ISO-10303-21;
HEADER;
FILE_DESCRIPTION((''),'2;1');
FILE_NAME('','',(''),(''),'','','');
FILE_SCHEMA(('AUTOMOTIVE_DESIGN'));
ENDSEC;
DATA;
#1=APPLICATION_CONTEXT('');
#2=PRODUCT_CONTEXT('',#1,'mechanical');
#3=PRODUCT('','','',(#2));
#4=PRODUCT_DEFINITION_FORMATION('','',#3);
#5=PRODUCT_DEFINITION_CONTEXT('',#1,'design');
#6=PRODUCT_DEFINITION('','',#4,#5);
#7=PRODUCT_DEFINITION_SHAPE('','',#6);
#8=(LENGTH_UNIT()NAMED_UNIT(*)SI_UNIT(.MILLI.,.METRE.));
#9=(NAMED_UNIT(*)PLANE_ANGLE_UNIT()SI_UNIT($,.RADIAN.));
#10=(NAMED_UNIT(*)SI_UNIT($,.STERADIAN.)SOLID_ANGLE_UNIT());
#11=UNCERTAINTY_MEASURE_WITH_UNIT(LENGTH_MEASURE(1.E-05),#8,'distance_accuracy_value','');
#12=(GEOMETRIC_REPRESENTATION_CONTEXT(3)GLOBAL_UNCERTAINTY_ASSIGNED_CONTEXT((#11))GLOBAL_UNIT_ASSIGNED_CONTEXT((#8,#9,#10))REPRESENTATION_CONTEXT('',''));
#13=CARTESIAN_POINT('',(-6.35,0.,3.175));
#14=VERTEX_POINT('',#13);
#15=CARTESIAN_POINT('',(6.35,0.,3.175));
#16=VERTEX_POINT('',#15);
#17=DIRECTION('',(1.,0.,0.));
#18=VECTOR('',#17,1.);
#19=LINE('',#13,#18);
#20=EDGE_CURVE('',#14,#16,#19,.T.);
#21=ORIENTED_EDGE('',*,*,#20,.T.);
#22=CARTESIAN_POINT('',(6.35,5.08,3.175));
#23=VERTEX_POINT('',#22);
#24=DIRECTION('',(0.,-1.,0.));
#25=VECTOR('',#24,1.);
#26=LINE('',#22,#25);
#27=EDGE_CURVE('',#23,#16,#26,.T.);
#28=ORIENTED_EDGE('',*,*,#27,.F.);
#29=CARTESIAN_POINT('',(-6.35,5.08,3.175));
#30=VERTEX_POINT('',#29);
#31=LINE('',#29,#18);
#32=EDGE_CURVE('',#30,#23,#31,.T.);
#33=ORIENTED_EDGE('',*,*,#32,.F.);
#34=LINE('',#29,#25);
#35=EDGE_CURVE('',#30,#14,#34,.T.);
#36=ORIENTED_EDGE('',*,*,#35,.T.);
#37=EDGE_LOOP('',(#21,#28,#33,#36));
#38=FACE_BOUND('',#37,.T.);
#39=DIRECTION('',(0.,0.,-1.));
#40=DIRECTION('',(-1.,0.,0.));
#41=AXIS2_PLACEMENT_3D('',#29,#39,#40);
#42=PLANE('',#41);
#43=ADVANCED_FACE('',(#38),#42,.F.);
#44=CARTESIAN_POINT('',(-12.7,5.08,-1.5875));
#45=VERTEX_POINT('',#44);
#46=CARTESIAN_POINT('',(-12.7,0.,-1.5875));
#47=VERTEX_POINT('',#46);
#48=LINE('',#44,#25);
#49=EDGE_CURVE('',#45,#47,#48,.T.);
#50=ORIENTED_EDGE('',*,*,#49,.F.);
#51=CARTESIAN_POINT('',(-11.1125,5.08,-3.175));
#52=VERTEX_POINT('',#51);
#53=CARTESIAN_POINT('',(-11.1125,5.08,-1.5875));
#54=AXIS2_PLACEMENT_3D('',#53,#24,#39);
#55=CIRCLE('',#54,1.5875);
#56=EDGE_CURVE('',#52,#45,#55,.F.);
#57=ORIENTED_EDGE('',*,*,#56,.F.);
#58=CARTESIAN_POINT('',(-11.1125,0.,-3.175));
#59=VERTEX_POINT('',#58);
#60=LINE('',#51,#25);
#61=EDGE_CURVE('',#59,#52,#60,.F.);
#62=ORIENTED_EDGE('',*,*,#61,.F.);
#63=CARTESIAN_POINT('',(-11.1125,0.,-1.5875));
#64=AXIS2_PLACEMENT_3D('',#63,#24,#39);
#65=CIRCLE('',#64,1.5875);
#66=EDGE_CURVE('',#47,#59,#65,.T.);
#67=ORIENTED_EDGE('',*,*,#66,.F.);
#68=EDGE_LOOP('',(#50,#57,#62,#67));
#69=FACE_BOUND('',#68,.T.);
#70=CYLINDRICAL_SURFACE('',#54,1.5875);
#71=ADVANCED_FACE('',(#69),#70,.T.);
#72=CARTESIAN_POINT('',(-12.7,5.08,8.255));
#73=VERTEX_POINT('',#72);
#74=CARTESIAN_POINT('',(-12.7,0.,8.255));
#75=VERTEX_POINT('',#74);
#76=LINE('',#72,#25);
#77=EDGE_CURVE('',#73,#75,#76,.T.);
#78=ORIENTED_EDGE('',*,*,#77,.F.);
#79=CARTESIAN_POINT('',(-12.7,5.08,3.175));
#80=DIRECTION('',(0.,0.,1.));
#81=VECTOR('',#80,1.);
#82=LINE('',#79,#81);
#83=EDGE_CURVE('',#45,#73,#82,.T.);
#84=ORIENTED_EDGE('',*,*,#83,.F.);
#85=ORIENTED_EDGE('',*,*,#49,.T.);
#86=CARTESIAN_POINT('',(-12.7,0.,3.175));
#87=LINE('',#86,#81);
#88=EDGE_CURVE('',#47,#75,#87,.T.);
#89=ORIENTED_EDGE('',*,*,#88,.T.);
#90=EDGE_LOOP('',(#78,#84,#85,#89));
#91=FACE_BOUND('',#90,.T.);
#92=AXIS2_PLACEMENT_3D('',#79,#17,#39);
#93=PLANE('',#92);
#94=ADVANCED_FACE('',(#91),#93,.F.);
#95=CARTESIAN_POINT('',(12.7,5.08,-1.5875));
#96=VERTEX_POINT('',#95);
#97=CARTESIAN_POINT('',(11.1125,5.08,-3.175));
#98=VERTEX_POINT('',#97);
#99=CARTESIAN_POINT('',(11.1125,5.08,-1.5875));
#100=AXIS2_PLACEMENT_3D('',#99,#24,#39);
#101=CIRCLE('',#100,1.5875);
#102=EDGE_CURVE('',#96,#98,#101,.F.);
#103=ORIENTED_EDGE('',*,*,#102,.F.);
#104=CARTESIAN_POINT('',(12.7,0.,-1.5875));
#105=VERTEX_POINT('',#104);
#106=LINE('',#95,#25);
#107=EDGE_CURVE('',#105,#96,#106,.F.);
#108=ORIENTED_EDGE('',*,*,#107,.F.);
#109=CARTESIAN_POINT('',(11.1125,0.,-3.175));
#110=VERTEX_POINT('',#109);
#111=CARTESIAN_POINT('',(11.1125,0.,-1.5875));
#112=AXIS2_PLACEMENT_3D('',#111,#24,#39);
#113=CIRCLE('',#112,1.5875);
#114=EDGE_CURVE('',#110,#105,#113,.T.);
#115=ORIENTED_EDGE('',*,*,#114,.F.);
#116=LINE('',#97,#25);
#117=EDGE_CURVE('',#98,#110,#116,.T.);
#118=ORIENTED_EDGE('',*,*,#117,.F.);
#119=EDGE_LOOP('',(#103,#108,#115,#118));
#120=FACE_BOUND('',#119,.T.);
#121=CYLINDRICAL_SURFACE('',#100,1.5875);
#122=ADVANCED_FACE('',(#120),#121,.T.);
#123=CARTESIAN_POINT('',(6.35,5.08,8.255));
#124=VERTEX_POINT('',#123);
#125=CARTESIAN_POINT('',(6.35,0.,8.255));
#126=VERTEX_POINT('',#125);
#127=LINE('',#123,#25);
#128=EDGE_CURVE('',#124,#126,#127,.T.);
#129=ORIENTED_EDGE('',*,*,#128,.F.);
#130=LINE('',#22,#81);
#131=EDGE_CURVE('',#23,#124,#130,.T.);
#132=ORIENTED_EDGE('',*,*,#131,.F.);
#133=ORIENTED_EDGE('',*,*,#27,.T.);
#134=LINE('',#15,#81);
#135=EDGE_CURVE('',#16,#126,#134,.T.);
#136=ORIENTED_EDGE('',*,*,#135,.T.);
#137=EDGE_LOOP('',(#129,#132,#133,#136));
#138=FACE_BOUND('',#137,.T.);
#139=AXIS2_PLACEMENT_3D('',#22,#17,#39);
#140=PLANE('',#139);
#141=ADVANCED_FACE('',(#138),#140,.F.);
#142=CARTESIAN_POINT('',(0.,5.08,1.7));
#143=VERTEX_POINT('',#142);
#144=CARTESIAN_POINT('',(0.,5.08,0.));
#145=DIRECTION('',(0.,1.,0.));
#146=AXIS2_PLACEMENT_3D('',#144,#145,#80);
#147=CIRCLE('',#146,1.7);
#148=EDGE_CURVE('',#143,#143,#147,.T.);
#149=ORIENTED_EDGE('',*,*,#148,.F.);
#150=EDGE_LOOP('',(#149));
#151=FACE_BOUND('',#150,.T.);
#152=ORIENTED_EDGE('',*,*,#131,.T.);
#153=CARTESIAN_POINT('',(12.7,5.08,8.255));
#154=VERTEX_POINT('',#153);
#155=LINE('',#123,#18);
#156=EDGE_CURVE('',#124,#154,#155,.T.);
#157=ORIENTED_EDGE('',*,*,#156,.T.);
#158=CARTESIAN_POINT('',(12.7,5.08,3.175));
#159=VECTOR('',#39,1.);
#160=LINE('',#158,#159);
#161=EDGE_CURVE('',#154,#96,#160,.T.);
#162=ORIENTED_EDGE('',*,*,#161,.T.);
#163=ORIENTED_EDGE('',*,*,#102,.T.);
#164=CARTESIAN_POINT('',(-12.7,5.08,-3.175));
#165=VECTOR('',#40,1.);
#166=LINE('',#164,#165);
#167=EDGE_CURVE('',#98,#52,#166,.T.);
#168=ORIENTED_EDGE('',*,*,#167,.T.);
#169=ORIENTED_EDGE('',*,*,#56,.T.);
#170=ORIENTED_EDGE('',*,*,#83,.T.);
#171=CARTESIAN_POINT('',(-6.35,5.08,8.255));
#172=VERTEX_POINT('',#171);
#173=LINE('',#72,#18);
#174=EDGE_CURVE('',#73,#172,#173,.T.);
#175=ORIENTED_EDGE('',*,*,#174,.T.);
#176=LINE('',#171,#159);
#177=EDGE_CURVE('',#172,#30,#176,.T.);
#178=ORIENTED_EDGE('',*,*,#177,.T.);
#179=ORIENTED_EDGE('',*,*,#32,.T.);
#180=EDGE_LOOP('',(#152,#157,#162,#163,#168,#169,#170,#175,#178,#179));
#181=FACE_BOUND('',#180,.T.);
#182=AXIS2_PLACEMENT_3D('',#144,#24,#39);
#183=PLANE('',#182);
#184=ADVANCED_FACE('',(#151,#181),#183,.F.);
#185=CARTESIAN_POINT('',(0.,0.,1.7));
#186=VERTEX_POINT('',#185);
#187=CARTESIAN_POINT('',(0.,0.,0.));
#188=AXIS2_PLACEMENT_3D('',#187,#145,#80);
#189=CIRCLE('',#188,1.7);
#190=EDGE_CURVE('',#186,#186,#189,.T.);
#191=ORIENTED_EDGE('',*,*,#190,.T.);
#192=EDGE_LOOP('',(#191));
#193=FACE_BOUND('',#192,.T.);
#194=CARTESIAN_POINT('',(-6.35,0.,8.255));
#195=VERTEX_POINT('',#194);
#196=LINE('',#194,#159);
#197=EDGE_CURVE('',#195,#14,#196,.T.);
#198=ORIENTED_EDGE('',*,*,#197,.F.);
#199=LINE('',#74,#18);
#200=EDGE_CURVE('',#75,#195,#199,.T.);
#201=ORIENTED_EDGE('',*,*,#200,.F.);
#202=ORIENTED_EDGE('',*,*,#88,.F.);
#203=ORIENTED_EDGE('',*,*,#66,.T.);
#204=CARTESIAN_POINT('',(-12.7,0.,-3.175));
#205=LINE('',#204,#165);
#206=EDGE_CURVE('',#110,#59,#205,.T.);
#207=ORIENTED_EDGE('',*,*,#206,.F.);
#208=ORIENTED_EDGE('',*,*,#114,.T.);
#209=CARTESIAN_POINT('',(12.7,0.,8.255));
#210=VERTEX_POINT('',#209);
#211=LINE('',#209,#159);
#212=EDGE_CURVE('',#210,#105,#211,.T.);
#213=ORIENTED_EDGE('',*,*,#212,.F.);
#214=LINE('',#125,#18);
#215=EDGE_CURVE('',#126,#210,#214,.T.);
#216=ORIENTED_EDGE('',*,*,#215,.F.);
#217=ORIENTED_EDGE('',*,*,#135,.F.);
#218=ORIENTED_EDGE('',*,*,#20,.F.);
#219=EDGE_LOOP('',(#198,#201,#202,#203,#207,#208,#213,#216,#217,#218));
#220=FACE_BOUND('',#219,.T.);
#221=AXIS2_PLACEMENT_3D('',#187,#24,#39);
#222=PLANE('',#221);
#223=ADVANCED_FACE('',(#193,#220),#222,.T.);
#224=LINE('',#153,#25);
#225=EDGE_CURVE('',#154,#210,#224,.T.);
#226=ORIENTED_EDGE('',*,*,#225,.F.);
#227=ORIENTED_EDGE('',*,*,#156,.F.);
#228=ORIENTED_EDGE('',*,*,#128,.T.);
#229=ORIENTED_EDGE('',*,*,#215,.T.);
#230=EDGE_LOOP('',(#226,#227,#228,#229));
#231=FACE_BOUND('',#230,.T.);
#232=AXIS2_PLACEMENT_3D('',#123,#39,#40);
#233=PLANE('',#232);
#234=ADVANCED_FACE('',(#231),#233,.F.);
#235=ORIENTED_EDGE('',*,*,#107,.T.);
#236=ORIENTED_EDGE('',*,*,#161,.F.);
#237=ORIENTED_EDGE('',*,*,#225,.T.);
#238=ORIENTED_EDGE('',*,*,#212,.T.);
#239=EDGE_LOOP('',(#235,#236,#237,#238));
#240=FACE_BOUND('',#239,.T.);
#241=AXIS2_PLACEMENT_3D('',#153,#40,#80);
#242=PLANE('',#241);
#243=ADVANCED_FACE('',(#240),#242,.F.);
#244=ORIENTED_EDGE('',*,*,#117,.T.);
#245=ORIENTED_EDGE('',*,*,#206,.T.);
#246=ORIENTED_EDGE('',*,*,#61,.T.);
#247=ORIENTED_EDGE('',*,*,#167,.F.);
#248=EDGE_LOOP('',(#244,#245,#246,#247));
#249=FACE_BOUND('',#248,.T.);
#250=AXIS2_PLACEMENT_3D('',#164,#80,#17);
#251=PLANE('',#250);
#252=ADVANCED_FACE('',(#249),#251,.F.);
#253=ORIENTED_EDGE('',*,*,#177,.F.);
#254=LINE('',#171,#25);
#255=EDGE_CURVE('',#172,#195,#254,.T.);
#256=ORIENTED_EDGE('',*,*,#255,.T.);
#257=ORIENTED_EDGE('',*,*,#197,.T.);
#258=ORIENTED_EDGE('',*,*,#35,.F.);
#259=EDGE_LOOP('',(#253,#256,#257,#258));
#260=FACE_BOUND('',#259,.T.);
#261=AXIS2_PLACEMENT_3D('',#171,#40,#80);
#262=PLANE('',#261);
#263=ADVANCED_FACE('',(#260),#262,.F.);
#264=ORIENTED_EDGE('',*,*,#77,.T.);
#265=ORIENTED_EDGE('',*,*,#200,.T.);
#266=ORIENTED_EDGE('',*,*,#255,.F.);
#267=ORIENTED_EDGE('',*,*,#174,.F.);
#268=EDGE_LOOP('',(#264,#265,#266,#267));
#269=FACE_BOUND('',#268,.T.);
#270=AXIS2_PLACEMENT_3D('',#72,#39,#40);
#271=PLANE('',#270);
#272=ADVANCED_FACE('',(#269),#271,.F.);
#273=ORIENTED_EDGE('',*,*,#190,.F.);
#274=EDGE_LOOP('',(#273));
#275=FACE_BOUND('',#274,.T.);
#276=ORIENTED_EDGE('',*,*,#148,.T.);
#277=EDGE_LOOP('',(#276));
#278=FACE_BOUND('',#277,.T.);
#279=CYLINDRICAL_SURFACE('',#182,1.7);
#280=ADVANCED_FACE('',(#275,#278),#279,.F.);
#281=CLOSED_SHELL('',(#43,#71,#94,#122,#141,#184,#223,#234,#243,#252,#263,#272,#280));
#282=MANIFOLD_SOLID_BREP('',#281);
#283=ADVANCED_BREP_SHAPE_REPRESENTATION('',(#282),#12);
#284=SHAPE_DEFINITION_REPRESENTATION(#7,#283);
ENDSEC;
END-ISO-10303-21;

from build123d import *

# Parameters (mm, degrees)
SKETCH1_R           = 1.7
BOSS_EXTRUDE1_DEPTH = 5.08
FILLET1_R           = 1.5875


with BuildPart() as part:
    # Sketch1 → Boss-Extrude1 (new body)
    with BuildSketch(Plane(origin=(0, 0, 0), x_dir=(1, 0, 0), z_dir=(0, 1, 0))):
        Polygon((-12.7, -3.175), (-12.7, -8.255), (-6.35, -8.255), (-6.35, -3.175), (6.35, -3.175), (6.35, -8.255), (12.7, -8.255), (12.7, -3.175), (12.7, 3.175), (-12.7, 3.175), align=None)
        with Locations(Location((0, 0, 0), (0, 0, 270))):
            Circle(SKETCH1_R, mode=Mode.SUBTRACT)
    extrude(amount=BOSS_EXTRUDE1_DEPTH)

    # Fillet1
    fillet1_edges = [part.edges().sort_by_distance(p)[0] for p in [
        (-12.7, 2.54, -3.175),
        (12.7, 2.54, -3.175),
    ]]
    fillet(fillet1_edges, radius=FILLET1_R)


solid = part.part
